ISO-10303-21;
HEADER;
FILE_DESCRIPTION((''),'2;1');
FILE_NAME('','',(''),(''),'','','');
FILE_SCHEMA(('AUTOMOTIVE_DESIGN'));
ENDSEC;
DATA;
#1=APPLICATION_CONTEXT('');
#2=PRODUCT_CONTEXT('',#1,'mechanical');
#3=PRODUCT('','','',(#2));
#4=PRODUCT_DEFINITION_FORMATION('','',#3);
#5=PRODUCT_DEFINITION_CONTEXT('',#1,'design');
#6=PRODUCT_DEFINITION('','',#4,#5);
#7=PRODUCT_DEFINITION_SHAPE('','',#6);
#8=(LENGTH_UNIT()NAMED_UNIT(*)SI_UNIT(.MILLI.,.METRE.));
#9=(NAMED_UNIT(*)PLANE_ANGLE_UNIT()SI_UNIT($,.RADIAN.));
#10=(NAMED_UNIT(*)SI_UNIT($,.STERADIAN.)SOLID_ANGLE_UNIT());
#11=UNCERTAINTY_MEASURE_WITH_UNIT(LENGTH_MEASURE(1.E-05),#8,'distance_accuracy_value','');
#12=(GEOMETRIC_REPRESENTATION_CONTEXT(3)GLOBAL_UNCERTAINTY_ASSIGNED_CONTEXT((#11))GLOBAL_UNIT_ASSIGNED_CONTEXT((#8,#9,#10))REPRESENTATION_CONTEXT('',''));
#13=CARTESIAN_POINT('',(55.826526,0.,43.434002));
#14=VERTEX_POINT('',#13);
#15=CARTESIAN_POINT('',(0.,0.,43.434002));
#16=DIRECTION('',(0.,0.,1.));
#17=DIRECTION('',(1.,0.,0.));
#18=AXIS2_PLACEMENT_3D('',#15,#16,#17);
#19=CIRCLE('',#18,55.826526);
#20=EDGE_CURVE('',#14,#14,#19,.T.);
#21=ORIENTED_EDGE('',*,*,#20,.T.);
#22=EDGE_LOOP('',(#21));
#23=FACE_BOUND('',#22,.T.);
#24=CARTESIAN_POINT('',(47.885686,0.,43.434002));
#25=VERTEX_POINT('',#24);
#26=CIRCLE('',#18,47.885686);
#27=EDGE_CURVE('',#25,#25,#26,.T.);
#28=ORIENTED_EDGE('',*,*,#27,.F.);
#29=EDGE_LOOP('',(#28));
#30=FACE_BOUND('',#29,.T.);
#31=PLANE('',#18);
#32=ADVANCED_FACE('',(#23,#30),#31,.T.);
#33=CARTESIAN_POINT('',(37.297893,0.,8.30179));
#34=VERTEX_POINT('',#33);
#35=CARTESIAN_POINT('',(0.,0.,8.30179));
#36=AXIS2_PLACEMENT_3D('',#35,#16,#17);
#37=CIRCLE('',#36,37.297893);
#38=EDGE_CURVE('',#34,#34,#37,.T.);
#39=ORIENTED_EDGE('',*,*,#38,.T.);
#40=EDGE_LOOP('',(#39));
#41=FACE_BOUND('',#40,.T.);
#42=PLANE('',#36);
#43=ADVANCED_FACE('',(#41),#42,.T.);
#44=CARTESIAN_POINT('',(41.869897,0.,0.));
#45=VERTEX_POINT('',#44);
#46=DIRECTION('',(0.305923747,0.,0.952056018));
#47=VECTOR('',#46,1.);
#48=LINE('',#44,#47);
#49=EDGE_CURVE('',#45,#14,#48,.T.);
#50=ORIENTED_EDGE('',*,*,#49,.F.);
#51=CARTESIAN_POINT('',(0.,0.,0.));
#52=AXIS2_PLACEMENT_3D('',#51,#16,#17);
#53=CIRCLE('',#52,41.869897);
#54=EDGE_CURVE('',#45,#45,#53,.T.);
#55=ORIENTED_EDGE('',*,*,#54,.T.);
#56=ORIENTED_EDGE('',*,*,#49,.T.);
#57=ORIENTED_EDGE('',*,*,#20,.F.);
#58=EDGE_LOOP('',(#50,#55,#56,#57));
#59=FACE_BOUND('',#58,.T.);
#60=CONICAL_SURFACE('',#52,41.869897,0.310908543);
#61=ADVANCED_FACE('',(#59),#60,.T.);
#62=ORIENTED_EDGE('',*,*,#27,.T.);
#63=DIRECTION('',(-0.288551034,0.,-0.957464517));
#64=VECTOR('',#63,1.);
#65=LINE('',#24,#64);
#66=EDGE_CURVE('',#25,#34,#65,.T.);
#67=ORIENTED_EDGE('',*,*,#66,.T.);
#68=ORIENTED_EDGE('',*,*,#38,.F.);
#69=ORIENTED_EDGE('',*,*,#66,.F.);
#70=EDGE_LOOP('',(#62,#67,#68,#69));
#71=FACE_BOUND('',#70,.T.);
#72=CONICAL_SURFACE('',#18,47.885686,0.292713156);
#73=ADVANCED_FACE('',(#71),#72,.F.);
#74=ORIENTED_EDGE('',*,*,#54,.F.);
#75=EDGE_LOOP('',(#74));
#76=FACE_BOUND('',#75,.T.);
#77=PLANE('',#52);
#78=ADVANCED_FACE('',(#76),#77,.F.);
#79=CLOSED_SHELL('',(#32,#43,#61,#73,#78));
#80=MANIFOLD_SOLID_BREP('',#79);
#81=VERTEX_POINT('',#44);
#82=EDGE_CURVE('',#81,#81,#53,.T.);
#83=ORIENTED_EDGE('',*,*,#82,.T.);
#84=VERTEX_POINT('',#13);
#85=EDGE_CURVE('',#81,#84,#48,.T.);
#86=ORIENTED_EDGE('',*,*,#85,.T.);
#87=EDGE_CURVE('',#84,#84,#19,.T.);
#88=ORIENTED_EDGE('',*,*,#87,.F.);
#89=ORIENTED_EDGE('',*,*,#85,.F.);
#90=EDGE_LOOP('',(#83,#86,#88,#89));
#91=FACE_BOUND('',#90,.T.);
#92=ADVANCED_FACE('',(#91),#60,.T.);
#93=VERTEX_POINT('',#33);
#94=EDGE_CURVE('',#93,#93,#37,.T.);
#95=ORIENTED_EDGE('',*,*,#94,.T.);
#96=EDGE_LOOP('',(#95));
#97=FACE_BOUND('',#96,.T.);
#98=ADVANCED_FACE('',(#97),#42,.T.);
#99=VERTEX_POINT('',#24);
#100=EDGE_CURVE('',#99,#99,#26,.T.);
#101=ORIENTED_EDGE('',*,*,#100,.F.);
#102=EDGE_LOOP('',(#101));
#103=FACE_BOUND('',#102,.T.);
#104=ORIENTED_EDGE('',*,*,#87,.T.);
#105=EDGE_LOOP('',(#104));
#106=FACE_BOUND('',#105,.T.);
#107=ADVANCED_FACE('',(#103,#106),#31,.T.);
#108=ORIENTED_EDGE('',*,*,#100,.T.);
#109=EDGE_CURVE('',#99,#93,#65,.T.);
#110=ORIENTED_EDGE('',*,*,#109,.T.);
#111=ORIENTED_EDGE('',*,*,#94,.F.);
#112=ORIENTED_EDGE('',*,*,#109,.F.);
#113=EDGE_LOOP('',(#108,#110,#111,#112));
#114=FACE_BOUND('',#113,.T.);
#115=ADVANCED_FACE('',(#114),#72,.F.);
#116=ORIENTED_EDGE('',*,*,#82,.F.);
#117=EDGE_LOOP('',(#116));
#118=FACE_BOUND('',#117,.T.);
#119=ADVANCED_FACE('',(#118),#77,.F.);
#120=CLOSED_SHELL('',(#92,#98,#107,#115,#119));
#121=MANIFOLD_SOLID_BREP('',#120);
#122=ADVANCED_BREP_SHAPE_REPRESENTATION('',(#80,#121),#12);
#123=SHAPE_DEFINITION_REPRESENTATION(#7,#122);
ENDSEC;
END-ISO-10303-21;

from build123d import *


with BuildPart() as f1:
    # F0 (on Front) → F1 (revolve)
    with BuildSketch(Plane.XZ):
        Polygon((0, 8.30179), (0, 0), (41.869897, 0), (55.826526, 43.434002), (47.885686, 43.434002), (37.297893, 8.30179), align=None)
    revolve(axis=Axis((0, 0, 4.150895), (0, 0, 1)))


with BuildPart() as f2:
    # F0 (on Front) → F2 (revolve)
    with BuildSketch(Plane.XZ):
        Polygon((0, 8.30179), (0, 0), (41.869897, 0), (55.826526, 43.434002), (47.885686, 43.434002), (37.297893, 8.30179), align=None)
    revolve(axis=Axis((0, 0, 4.150895), (0, 0, 1)))


solid = Compound([f1.part, f2.part])
